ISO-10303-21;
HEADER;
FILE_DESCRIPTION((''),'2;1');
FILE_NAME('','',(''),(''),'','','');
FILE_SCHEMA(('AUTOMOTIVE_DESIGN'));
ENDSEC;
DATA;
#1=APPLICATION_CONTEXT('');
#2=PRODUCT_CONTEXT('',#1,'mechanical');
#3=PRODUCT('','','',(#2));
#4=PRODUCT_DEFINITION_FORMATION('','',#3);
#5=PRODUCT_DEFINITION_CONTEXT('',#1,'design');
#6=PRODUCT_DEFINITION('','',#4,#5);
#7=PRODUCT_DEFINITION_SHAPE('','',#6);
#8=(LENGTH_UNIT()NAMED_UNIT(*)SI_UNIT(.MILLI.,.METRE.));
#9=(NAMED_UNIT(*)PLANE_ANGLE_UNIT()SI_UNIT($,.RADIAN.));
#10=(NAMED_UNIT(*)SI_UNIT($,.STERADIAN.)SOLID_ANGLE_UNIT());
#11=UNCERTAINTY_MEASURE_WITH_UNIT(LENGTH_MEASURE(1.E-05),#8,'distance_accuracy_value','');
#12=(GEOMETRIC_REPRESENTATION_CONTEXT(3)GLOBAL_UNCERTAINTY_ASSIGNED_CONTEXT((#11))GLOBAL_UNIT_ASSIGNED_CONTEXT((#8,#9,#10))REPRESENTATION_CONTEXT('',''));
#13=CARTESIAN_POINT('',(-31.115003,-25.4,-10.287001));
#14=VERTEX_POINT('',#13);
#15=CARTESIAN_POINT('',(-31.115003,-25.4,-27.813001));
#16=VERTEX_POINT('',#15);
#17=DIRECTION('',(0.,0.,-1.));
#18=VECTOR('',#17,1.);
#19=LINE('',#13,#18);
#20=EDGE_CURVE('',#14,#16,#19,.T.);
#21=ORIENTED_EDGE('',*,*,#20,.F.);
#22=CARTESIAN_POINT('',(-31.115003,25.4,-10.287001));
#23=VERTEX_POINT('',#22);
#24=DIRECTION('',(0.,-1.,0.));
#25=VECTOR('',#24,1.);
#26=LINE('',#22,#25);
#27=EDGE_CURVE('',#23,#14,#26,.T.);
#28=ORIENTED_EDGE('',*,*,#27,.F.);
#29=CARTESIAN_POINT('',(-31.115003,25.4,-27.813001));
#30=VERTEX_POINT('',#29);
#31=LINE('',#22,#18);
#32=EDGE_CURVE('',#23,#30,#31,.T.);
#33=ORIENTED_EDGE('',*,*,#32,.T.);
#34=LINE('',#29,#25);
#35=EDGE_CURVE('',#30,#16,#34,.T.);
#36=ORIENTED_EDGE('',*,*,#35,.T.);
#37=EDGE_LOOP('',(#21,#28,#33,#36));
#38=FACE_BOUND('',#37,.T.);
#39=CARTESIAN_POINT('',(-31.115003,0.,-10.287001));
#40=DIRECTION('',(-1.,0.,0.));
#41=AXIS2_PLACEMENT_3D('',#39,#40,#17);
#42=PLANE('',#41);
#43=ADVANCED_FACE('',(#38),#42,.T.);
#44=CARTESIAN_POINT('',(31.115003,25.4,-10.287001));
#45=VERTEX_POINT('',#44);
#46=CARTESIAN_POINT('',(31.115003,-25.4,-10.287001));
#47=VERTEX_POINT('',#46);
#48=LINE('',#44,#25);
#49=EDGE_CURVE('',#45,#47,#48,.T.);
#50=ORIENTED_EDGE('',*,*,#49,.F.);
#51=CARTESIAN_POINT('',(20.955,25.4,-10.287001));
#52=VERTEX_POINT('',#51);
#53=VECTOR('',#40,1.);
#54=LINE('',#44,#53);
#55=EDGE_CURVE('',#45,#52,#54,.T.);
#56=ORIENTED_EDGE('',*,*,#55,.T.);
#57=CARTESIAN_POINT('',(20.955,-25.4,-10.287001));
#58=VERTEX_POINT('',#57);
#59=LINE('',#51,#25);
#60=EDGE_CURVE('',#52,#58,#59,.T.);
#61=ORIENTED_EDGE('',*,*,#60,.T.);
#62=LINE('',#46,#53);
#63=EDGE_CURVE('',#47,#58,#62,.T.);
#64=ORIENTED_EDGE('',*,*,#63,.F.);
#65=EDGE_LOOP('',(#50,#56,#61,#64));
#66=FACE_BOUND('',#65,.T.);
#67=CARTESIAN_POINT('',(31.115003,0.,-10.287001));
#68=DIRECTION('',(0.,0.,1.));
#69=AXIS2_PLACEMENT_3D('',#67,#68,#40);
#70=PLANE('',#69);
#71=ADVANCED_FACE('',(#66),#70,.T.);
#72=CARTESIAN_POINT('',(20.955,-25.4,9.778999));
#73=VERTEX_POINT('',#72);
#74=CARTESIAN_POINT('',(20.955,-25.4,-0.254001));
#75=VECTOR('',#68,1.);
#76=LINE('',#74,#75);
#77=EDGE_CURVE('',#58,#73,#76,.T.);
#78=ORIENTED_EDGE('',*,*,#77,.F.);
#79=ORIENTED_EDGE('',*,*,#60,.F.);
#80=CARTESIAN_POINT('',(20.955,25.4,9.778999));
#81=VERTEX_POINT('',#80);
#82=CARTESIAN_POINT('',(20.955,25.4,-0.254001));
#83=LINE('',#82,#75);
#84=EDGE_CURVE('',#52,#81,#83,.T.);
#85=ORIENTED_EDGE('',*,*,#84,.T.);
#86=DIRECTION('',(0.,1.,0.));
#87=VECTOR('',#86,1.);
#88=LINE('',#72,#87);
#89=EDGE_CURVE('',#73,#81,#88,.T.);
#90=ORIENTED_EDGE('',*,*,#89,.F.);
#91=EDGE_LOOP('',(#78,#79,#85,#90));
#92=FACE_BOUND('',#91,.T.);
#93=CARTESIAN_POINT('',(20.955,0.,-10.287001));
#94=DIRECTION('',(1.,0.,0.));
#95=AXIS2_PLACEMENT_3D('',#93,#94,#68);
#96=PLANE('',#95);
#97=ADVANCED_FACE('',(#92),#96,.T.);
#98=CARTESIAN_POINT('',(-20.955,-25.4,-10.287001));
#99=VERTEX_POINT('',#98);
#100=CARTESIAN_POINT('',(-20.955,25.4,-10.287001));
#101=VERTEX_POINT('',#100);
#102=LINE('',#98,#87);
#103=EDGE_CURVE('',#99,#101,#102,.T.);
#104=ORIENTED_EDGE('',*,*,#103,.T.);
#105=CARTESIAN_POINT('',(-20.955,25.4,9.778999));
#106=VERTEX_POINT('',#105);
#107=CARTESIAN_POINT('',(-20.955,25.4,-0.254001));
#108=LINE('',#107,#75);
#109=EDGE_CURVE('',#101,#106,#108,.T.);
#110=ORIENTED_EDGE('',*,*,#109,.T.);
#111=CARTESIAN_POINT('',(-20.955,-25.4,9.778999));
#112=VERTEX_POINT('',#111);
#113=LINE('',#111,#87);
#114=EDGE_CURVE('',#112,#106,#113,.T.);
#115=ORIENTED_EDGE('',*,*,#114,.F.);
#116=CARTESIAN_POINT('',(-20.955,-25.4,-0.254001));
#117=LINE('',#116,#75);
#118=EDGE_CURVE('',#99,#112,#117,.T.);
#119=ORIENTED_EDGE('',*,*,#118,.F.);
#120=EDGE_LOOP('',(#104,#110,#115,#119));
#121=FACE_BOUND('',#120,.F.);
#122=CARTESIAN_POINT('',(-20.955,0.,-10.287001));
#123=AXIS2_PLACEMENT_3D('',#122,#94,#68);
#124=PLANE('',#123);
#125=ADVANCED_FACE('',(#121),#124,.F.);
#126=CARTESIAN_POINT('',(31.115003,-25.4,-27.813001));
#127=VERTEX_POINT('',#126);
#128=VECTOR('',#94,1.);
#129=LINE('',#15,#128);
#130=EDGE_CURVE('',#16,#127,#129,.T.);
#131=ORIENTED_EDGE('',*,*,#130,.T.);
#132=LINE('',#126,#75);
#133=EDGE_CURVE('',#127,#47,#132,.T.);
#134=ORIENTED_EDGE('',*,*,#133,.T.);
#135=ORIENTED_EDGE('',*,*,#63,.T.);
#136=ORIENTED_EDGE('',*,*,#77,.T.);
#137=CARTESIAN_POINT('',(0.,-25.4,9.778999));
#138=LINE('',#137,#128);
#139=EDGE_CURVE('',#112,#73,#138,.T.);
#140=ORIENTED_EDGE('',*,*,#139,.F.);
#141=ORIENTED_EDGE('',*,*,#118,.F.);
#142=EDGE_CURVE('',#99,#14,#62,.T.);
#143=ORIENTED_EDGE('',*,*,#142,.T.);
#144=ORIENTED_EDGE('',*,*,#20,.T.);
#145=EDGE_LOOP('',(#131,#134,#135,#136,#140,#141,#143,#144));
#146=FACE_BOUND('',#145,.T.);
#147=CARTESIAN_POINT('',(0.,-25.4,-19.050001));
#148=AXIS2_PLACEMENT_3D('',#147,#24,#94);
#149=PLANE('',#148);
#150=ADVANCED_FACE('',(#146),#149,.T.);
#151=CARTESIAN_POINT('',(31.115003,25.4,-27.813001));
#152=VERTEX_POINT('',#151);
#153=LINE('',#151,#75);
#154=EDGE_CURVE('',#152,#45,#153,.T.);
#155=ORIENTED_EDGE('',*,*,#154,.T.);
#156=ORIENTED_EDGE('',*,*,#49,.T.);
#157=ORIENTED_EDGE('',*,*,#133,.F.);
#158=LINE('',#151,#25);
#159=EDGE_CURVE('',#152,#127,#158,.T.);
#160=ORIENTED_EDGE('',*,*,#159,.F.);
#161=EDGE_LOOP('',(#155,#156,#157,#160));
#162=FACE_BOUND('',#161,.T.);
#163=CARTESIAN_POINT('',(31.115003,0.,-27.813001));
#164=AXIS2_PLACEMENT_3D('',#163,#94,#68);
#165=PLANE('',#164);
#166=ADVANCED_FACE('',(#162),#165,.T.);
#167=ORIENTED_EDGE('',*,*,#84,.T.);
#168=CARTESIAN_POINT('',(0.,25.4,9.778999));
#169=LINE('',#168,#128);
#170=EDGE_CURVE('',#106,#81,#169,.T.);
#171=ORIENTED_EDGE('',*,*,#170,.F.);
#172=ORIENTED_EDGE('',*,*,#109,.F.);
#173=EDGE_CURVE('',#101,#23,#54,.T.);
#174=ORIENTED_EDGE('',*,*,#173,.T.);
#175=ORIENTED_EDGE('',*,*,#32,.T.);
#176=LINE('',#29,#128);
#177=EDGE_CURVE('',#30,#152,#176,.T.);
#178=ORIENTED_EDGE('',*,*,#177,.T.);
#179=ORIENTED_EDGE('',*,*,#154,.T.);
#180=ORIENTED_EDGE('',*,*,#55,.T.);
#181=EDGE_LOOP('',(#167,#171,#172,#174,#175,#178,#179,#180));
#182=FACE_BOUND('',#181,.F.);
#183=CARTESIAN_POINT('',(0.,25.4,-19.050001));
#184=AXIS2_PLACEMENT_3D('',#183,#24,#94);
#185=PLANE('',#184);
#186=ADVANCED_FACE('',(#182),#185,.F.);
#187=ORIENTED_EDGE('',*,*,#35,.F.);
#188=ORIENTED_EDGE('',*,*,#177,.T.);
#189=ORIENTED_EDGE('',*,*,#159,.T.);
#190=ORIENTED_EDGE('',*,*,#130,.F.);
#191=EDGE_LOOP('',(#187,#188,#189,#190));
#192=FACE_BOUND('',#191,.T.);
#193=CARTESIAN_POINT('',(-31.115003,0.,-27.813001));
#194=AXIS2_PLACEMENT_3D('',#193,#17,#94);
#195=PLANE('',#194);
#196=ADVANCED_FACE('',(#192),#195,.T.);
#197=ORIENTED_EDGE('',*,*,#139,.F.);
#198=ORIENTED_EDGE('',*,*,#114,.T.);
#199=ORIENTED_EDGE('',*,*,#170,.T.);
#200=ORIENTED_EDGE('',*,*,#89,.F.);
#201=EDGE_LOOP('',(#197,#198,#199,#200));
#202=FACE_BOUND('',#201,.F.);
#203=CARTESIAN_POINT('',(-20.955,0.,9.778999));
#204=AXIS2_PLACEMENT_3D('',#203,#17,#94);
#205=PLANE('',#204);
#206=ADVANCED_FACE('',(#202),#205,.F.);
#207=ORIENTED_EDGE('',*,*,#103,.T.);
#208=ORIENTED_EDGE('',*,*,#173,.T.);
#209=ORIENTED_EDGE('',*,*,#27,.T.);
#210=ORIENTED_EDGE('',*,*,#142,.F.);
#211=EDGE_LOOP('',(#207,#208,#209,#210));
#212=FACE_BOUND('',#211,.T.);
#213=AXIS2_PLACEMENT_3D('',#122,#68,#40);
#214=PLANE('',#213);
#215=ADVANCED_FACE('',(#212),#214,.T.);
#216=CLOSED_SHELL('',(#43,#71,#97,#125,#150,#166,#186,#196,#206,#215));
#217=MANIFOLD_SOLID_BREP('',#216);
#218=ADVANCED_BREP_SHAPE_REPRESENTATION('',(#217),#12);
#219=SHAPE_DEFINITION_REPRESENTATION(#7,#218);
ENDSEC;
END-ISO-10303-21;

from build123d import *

# Parameters (mm, degrees)
F0_W          = 41.91
F0_H          = 20.066001
F1_DEPTH      = 25.4
F1_DEPTH_BACK = 25.4


with BuildPart() as f1:
    # F0 (on Front) → F1 (new body, two sides)
    with BuildSketch(Plane.XZ) as f1_sk:
        Polygon((-20.955, -10.287001), (-31.115003, -10.287001), (-31.115003, -27.813001), (31.115003, -27.813001), (31.115003, -10.287001), (20.955, -10.287001), align=None)
        with Locations((0, -0.254001)):
            Rectangle(F0_W, F0_H)
    extrude(amount=F1_DEPTH)
    extrude(f1_sk.sketch, amount=-F1_DEPTH_BACK)


solid = f1.part
